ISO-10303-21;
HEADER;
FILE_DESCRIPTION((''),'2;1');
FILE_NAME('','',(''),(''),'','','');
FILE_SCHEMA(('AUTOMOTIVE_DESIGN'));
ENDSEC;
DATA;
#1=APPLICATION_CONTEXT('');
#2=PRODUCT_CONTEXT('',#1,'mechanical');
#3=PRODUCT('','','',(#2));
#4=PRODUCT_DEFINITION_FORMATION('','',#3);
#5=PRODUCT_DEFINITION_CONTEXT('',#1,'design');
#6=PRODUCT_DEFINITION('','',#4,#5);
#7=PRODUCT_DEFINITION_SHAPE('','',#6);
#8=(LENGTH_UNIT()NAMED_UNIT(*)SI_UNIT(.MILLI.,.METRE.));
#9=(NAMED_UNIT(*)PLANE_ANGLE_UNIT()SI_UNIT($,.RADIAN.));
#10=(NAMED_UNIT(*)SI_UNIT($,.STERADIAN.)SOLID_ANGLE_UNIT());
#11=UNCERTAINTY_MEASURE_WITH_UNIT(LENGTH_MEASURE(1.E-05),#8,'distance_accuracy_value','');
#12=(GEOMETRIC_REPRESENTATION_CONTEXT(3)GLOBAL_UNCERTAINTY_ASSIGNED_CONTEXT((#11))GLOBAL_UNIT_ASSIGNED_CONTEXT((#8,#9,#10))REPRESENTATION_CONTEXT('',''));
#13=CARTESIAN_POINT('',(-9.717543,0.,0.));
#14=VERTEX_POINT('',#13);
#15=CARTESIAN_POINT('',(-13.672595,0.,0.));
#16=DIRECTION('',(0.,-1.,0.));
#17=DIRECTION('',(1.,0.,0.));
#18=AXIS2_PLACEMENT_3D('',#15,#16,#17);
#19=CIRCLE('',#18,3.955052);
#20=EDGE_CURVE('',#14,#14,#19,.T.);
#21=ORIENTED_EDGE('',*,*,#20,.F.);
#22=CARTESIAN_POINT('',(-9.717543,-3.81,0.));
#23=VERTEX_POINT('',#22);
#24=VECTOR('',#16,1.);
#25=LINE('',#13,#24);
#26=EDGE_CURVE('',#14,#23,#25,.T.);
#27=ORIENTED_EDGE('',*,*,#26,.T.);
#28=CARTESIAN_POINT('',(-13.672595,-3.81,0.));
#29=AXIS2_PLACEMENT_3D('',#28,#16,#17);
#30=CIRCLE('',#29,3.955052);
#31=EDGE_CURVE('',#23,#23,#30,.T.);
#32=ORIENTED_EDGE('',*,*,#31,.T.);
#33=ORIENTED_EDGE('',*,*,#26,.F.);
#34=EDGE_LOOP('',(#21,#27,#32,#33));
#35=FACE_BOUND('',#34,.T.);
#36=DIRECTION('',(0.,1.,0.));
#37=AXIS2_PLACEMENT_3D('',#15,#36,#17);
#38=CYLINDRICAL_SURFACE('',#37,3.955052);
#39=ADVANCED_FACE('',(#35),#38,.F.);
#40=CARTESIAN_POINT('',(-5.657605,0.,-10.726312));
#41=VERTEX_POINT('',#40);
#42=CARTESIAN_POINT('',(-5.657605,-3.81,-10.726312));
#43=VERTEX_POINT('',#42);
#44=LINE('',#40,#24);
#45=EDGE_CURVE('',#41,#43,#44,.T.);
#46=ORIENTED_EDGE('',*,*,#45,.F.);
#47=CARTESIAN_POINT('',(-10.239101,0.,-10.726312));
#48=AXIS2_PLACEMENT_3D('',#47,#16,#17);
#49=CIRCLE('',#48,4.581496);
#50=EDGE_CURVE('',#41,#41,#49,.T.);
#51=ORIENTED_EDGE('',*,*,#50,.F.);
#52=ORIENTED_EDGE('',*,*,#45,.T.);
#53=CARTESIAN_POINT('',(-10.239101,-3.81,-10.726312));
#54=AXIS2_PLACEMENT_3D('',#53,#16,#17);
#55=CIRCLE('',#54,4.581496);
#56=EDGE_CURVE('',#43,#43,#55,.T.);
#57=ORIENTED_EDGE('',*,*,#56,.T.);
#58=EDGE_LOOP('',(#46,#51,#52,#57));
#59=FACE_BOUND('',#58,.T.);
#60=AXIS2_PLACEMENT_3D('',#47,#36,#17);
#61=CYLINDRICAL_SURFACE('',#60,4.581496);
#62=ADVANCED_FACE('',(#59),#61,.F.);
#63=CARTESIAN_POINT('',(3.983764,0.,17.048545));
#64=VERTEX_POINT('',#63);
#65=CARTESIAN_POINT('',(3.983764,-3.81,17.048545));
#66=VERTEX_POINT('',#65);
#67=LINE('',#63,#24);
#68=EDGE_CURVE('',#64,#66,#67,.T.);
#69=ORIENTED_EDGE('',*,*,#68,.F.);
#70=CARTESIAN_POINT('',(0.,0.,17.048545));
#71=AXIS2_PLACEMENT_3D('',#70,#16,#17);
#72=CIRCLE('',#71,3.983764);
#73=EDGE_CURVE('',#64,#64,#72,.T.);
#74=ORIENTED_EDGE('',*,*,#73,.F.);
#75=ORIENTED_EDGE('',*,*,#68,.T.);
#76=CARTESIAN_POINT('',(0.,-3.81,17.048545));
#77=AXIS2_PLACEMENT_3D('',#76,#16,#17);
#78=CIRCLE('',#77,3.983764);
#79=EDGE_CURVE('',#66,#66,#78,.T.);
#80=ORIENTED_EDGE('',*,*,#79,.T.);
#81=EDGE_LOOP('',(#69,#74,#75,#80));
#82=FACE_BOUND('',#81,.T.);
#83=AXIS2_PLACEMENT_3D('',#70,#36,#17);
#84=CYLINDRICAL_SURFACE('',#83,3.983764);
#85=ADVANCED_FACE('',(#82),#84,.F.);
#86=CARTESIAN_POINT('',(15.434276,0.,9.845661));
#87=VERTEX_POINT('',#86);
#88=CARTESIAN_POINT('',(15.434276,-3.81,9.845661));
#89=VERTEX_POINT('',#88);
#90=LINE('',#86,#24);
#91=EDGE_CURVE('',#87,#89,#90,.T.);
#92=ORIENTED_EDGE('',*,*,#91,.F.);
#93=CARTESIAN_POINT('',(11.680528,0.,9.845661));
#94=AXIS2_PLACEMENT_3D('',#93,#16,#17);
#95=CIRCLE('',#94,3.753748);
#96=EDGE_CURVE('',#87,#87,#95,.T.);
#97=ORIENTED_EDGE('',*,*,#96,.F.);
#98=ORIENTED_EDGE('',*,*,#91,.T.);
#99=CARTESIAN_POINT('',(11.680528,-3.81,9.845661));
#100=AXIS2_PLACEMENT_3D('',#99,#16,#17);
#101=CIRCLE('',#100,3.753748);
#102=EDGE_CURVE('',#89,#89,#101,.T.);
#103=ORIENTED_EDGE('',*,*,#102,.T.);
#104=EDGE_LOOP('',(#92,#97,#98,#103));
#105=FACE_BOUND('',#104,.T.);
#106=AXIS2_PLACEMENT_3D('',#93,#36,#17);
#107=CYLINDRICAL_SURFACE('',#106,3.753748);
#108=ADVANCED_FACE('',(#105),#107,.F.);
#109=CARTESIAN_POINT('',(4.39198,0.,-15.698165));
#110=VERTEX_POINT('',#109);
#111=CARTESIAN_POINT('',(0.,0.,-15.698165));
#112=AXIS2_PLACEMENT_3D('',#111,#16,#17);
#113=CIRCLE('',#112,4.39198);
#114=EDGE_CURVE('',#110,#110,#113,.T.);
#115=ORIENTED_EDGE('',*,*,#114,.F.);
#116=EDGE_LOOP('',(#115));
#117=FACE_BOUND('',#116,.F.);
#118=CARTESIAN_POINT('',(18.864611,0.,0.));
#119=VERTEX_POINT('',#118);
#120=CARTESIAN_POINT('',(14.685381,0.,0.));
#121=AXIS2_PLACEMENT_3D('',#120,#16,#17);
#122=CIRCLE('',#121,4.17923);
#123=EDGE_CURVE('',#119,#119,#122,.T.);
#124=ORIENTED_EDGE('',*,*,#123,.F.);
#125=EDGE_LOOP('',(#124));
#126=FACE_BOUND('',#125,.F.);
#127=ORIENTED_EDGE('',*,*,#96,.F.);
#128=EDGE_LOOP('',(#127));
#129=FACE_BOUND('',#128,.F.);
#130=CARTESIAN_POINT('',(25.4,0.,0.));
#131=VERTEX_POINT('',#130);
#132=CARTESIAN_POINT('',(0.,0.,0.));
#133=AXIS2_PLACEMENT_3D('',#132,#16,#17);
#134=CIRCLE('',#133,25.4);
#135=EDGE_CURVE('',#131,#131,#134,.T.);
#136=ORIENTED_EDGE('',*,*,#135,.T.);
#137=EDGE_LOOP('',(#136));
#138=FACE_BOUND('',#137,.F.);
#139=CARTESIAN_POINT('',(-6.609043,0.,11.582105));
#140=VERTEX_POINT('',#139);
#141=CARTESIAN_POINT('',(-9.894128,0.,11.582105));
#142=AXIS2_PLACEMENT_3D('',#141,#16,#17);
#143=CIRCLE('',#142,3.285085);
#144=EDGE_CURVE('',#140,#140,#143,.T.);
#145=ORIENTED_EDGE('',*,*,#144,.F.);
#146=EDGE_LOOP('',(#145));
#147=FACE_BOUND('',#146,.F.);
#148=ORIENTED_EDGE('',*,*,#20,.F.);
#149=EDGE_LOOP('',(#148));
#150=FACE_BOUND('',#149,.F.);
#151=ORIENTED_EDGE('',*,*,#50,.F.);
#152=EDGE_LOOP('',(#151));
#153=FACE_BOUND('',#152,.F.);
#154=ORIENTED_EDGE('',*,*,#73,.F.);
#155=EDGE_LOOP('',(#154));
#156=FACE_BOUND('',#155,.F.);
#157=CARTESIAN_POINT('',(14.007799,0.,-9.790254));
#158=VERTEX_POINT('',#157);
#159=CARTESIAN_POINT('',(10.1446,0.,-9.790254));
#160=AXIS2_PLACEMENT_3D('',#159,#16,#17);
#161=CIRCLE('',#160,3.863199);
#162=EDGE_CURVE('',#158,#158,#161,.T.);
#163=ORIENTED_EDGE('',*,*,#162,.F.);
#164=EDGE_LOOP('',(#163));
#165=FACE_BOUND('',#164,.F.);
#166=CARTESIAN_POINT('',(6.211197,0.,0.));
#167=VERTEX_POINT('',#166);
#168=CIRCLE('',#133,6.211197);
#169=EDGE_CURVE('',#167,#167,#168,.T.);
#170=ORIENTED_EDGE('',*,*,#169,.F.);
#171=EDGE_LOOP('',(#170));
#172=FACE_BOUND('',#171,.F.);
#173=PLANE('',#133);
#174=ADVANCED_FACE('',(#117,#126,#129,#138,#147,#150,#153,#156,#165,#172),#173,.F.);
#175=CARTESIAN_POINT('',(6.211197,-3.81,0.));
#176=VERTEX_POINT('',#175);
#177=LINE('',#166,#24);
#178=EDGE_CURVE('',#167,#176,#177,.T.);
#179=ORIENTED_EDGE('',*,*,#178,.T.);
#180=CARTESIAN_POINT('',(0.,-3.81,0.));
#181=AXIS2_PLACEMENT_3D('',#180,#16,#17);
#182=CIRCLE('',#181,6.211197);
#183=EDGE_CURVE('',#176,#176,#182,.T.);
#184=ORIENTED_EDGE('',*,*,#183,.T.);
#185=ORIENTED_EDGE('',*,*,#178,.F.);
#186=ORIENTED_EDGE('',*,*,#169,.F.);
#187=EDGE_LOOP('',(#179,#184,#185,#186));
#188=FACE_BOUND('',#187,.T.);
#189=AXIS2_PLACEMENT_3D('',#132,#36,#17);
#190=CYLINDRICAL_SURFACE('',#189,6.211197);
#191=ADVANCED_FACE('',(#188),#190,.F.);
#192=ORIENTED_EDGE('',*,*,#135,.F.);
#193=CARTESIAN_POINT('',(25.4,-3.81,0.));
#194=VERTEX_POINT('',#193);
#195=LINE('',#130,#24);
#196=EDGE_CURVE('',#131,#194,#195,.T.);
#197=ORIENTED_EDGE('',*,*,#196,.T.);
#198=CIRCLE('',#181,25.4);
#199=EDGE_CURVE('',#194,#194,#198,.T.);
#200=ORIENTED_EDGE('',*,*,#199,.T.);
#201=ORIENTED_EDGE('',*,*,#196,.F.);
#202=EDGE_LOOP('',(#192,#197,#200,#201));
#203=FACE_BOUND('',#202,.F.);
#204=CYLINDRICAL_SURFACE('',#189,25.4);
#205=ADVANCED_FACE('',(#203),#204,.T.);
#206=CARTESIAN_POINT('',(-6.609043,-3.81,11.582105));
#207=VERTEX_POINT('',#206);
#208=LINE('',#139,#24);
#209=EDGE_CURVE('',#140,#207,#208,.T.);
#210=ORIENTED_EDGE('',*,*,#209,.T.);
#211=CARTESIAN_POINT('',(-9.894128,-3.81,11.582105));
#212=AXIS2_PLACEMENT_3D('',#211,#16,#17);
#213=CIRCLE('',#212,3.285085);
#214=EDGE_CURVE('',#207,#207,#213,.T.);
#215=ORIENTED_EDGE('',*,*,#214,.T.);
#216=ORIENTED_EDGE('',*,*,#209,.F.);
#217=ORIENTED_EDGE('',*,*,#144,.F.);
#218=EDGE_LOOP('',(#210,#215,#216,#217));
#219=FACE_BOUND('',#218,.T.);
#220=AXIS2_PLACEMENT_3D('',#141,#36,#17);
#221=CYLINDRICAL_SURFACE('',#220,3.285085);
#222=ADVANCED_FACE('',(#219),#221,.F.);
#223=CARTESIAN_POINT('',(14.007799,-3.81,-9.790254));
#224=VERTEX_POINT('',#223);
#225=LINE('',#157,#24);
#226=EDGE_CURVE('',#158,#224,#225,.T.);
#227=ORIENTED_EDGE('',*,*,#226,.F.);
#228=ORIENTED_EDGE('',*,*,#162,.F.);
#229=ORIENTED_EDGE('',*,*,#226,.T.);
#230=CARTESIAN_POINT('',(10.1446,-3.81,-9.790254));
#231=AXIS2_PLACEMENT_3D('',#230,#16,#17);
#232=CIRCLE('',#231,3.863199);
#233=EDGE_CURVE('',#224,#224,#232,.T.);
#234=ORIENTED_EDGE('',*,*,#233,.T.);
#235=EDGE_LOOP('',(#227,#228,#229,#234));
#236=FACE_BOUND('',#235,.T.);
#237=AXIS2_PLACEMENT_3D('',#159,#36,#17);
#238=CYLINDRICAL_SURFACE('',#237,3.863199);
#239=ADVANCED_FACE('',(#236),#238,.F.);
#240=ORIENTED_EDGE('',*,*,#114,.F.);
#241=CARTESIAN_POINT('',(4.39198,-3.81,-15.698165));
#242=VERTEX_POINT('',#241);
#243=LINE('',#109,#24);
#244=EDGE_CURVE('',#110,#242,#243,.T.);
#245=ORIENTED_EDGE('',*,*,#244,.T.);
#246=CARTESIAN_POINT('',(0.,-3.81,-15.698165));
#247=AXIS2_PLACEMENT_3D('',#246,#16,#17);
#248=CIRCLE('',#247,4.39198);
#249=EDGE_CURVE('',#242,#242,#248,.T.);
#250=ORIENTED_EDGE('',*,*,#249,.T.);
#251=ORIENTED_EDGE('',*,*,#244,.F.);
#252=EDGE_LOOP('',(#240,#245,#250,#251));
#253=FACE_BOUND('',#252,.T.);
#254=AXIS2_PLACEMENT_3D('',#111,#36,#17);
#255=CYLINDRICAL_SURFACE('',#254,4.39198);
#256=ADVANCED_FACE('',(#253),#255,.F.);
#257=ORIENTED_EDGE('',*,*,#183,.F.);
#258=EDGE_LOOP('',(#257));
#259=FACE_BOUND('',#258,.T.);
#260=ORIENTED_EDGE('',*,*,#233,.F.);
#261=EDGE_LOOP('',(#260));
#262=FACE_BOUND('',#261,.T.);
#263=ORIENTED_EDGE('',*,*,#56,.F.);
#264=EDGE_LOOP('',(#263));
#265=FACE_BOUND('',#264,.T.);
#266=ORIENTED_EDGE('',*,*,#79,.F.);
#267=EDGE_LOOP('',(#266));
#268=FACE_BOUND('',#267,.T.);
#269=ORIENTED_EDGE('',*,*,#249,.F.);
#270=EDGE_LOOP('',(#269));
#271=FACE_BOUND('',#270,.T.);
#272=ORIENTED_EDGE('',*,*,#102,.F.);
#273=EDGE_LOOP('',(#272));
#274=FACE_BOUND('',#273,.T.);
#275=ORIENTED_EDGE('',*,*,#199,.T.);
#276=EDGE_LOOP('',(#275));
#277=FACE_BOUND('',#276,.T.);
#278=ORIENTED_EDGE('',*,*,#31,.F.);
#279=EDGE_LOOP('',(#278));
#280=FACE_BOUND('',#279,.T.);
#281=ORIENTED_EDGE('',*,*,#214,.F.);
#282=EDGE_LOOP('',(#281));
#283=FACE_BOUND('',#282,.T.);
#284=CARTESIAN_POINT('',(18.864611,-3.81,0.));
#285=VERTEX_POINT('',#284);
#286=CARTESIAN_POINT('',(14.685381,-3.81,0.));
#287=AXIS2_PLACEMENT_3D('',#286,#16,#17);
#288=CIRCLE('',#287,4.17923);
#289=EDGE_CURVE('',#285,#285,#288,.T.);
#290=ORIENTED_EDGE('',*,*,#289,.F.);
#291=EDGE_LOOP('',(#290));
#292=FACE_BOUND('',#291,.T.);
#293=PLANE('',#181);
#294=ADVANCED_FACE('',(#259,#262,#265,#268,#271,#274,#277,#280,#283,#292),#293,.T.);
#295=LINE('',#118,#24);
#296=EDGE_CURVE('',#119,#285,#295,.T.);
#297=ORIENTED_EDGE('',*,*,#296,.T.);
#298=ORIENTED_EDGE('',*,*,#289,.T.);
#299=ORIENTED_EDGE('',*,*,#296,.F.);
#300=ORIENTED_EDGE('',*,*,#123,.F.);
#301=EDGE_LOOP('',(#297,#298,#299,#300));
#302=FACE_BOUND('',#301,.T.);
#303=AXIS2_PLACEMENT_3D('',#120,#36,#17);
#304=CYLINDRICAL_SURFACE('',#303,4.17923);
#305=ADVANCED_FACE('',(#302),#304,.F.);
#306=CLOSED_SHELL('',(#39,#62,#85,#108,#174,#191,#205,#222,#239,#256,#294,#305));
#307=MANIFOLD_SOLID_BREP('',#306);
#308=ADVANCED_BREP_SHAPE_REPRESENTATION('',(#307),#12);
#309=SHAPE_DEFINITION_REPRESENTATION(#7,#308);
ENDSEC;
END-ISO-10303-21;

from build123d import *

# Parameters (mm, degrees)
F0_R     = 25.4
F0_R_2   = 4.39198
F0_R_3   = 3.955052
F0_R_4   = 4.581496
F0_R_5   = 6.211197
F0_R_6   = 3.863199
F0_R_7   = 4.17923
F0_R_8   = 3.285085
F0_R_9   = 3.983764
F0_R_10  = 3.753748
F1_DEPTH = 3.81


with BuildPart() as f1:
    # F0 (on Front) → F1 (new body)
    with BuildSketch(Plane.XZ):
        Circle(F0_R)
        with Locations((0, -15.698165)):
            Circle(F0_R_2, mode=Mode.SUBTRACT)
        with Locations((-13.672595, 0)):
            Circle(F0_R_3, mode=Mode.SUBTRACT)
        with Locations((-10.239101, -10.726312)):
            Circle(F0_R_4, mode=Mode.SUBTRACT)
        Circle(F0_R_5, mode=Mode.SUBTRACT)
        with Locations((10.1446, -9.790254)):
            Circle(F0_R_6, mode=Mode.SUBTRACT)
        with Locations((14.685381, 0)):
            Circle(F0_R_7, mode=Mode.SUBTRACT)
        with Locations((-9.894128, 11.582105)):
            Circle(F0_R_8, mode=Mode.SUBTRACT)
        with Locations((0, 17.048545)):
            Circle(F0_R_9, mode=Mode.SUBTRACT)
        with Locations((11.680528, 9.845661)):
            Circle(F0_R_10, mode=Mode.SUBTRACT)
    extrude(amount=F1_DEPTH)


solid = f1.part
